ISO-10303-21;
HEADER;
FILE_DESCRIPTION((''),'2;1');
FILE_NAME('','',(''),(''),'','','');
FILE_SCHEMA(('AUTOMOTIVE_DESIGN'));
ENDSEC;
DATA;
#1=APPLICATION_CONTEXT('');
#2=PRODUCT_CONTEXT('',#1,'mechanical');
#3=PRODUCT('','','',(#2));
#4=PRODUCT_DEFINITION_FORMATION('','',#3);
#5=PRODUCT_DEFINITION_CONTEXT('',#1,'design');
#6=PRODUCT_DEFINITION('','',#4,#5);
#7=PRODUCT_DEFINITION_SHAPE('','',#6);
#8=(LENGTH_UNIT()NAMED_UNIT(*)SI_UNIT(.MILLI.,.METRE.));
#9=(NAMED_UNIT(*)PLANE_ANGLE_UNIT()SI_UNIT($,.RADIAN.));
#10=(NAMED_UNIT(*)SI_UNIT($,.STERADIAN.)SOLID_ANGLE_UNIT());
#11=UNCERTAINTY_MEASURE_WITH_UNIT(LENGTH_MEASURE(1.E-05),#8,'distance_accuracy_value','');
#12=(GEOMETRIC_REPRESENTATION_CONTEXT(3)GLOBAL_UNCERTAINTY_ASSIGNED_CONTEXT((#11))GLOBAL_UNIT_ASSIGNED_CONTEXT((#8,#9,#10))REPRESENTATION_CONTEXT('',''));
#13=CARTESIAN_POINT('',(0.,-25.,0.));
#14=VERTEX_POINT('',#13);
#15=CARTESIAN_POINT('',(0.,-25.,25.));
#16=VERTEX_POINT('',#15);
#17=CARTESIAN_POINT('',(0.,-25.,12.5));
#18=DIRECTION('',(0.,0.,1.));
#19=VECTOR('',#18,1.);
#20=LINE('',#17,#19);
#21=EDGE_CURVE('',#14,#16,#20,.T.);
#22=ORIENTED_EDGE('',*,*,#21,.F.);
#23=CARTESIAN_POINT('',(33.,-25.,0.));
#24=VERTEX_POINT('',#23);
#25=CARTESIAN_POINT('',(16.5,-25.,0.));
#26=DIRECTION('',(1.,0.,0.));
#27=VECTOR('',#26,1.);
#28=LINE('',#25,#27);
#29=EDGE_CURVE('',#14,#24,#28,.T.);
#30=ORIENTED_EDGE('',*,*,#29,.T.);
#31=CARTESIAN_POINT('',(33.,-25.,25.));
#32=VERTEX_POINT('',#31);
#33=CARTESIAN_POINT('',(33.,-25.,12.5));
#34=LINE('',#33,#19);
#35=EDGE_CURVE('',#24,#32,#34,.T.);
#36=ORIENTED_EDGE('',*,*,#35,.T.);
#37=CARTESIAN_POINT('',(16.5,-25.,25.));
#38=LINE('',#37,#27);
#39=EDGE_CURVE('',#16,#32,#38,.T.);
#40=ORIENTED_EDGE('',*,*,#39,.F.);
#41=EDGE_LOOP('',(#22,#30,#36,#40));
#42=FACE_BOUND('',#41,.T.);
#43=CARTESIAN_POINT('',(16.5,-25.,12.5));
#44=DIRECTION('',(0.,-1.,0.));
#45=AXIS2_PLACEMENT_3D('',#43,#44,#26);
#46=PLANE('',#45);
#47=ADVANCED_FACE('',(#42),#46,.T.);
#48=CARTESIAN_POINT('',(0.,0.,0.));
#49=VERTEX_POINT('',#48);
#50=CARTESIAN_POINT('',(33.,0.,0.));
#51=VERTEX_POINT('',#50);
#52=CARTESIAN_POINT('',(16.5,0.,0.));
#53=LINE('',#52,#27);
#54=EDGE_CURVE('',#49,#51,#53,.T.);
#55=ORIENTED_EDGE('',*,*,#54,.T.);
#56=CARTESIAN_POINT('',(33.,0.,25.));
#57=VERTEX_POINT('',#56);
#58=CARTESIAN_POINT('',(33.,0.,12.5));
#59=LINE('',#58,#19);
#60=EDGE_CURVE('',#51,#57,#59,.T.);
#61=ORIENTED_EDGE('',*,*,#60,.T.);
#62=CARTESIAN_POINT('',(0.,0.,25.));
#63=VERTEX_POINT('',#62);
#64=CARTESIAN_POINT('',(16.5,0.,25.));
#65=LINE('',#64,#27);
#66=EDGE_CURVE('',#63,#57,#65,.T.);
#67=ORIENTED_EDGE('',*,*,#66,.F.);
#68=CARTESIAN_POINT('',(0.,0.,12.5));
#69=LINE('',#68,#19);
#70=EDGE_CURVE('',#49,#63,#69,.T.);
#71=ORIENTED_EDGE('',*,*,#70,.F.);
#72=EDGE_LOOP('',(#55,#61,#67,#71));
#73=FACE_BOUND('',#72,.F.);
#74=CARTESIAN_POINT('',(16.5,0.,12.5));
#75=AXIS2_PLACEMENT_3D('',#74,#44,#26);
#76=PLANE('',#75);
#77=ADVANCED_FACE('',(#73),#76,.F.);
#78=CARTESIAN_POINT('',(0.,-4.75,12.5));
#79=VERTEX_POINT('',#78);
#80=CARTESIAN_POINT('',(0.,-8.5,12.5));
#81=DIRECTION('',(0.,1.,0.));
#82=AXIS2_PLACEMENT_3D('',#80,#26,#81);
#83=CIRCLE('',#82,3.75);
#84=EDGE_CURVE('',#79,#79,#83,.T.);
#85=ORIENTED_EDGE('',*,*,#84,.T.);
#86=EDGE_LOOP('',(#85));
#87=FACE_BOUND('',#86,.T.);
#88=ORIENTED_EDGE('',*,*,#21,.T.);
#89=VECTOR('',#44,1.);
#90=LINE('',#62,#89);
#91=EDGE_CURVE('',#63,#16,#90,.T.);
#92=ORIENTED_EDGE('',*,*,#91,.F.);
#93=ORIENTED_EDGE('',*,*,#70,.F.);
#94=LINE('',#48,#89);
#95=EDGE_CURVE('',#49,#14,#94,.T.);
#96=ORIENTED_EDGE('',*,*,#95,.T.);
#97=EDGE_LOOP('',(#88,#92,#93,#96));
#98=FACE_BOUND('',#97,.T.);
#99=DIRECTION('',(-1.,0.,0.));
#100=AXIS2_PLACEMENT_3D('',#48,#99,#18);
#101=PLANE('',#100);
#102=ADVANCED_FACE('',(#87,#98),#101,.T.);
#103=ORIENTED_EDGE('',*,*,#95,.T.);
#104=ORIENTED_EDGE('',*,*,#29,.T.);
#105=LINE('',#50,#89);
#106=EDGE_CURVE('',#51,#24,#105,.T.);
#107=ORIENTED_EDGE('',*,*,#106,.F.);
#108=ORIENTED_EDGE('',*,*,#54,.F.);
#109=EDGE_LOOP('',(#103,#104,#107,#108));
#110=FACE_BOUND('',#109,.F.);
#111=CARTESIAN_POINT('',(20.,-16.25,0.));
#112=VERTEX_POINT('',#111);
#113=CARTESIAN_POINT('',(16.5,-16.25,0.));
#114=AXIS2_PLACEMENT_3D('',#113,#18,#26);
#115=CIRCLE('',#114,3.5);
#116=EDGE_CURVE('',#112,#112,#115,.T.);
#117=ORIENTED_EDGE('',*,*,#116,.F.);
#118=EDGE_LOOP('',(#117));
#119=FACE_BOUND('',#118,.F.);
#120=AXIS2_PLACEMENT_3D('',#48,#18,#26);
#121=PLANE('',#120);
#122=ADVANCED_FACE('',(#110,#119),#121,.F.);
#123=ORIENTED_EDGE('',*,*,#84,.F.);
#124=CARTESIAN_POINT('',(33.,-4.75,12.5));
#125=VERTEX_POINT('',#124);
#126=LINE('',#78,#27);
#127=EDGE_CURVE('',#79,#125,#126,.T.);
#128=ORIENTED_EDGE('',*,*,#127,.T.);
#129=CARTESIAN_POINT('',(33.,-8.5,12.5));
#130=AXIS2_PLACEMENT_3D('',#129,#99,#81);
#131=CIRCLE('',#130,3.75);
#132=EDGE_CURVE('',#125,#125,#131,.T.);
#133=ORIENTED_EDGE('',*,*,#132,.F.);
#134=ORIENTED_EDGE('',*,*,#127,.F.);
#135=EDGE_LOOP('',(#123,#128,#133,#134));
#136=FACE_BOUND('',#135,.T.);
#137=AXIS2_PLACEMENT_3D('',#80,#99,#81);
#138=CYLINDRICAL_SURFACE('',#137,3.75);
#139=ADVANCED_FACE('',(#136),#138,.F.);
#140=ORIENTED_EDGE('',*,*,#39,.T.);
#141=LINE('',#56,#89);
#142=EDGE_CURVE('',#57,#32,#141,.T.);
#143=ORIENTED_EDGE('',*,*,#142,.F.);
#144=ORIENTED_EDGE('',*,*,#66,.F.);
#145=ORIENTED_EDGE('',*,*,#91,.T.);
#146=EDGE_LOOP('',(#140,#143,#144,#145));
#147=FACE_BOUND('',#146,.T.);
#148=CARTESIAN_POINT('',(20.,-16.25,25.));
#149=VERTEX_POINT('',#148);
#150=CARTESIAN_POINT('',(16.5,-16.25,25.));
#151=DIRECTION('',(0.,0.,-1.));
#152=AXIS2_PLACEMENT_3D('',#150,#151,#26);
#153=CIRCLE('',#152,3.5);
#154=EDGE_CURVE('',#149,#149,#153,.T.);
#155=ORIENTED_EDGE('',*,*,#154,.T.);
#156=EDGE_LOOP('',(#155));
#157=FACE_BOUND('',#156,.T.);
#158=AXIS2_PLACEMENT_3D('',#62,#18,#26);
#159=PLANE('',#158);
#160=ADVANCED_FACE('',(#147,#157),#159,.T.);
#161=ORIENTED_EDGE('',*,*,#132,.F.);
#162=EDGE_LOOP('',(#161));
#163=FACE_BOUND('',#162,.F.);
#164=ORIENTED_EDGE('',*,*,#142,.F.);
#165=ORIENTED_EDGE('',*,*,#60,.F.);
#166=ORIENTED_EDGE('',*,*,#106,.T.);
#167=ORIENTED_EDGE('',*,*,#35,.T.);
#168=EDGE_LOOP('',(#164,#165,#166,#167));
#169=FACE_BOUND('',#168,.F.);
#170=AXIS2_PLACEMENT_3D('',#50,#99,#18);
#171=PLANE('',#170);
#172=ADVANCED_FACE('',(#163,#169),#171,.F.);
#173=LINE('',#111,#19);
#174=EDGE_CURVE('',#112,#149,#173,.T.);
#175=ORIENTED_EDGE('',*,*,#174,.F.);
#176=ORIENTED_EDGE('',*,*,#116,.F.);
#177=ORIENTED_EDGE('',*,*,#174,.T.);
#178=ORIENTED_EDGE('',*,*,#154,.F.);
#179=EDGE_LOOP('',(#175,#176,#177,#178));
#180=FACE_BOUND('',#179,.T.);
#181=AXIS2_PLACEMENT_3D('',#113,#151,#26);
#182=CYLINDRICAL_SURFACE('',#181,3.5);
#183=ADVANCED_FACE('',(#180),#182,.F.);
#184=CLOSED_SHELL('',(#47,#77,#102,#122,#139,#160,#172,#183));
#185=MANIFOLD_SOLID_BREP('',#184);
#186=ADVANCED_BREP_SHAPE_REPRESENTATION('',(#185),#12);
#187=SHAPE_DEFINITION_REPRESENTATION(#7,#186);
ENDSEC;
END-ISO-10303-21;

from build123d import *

# Parameters (mm, degrees)
F0_W     = 33
F0_H     = 25
F1_DEPTH = 25
F2_R     = 3.5
F3_DEPTH = 25.001
F4_R     = 3.75
F5_DEPTH = 33.001


with BuildPart() as f1:
    # F0 (on Front) → F1 (new body)
    with BuildSketch(Plane.XZ):
        with Locations((16.5, 12.5)):
            Rectangle(F0_W, F0_H)
    extrude(amount=F1_DEPTH)

    # F2 (on Top) → F3 (cut, through all)
    with BuildSketch(Plane.XY):
        with Locations((16.5, -16.25)):
            Circle(F2_R)
    extrude(amount=F3_DEPTH, mode=Mode.SUBTRACT)

    # F4 (on Right) → F5 (cut, through all)
    with BuildSketch(Plane.YZ):
        with Locations((-8.5, 12.5)):
            Circle(F4_R)
    extrude(amount=F5_DEPTH, mode=Mode.SUBTRACT)


solid = f1.part
